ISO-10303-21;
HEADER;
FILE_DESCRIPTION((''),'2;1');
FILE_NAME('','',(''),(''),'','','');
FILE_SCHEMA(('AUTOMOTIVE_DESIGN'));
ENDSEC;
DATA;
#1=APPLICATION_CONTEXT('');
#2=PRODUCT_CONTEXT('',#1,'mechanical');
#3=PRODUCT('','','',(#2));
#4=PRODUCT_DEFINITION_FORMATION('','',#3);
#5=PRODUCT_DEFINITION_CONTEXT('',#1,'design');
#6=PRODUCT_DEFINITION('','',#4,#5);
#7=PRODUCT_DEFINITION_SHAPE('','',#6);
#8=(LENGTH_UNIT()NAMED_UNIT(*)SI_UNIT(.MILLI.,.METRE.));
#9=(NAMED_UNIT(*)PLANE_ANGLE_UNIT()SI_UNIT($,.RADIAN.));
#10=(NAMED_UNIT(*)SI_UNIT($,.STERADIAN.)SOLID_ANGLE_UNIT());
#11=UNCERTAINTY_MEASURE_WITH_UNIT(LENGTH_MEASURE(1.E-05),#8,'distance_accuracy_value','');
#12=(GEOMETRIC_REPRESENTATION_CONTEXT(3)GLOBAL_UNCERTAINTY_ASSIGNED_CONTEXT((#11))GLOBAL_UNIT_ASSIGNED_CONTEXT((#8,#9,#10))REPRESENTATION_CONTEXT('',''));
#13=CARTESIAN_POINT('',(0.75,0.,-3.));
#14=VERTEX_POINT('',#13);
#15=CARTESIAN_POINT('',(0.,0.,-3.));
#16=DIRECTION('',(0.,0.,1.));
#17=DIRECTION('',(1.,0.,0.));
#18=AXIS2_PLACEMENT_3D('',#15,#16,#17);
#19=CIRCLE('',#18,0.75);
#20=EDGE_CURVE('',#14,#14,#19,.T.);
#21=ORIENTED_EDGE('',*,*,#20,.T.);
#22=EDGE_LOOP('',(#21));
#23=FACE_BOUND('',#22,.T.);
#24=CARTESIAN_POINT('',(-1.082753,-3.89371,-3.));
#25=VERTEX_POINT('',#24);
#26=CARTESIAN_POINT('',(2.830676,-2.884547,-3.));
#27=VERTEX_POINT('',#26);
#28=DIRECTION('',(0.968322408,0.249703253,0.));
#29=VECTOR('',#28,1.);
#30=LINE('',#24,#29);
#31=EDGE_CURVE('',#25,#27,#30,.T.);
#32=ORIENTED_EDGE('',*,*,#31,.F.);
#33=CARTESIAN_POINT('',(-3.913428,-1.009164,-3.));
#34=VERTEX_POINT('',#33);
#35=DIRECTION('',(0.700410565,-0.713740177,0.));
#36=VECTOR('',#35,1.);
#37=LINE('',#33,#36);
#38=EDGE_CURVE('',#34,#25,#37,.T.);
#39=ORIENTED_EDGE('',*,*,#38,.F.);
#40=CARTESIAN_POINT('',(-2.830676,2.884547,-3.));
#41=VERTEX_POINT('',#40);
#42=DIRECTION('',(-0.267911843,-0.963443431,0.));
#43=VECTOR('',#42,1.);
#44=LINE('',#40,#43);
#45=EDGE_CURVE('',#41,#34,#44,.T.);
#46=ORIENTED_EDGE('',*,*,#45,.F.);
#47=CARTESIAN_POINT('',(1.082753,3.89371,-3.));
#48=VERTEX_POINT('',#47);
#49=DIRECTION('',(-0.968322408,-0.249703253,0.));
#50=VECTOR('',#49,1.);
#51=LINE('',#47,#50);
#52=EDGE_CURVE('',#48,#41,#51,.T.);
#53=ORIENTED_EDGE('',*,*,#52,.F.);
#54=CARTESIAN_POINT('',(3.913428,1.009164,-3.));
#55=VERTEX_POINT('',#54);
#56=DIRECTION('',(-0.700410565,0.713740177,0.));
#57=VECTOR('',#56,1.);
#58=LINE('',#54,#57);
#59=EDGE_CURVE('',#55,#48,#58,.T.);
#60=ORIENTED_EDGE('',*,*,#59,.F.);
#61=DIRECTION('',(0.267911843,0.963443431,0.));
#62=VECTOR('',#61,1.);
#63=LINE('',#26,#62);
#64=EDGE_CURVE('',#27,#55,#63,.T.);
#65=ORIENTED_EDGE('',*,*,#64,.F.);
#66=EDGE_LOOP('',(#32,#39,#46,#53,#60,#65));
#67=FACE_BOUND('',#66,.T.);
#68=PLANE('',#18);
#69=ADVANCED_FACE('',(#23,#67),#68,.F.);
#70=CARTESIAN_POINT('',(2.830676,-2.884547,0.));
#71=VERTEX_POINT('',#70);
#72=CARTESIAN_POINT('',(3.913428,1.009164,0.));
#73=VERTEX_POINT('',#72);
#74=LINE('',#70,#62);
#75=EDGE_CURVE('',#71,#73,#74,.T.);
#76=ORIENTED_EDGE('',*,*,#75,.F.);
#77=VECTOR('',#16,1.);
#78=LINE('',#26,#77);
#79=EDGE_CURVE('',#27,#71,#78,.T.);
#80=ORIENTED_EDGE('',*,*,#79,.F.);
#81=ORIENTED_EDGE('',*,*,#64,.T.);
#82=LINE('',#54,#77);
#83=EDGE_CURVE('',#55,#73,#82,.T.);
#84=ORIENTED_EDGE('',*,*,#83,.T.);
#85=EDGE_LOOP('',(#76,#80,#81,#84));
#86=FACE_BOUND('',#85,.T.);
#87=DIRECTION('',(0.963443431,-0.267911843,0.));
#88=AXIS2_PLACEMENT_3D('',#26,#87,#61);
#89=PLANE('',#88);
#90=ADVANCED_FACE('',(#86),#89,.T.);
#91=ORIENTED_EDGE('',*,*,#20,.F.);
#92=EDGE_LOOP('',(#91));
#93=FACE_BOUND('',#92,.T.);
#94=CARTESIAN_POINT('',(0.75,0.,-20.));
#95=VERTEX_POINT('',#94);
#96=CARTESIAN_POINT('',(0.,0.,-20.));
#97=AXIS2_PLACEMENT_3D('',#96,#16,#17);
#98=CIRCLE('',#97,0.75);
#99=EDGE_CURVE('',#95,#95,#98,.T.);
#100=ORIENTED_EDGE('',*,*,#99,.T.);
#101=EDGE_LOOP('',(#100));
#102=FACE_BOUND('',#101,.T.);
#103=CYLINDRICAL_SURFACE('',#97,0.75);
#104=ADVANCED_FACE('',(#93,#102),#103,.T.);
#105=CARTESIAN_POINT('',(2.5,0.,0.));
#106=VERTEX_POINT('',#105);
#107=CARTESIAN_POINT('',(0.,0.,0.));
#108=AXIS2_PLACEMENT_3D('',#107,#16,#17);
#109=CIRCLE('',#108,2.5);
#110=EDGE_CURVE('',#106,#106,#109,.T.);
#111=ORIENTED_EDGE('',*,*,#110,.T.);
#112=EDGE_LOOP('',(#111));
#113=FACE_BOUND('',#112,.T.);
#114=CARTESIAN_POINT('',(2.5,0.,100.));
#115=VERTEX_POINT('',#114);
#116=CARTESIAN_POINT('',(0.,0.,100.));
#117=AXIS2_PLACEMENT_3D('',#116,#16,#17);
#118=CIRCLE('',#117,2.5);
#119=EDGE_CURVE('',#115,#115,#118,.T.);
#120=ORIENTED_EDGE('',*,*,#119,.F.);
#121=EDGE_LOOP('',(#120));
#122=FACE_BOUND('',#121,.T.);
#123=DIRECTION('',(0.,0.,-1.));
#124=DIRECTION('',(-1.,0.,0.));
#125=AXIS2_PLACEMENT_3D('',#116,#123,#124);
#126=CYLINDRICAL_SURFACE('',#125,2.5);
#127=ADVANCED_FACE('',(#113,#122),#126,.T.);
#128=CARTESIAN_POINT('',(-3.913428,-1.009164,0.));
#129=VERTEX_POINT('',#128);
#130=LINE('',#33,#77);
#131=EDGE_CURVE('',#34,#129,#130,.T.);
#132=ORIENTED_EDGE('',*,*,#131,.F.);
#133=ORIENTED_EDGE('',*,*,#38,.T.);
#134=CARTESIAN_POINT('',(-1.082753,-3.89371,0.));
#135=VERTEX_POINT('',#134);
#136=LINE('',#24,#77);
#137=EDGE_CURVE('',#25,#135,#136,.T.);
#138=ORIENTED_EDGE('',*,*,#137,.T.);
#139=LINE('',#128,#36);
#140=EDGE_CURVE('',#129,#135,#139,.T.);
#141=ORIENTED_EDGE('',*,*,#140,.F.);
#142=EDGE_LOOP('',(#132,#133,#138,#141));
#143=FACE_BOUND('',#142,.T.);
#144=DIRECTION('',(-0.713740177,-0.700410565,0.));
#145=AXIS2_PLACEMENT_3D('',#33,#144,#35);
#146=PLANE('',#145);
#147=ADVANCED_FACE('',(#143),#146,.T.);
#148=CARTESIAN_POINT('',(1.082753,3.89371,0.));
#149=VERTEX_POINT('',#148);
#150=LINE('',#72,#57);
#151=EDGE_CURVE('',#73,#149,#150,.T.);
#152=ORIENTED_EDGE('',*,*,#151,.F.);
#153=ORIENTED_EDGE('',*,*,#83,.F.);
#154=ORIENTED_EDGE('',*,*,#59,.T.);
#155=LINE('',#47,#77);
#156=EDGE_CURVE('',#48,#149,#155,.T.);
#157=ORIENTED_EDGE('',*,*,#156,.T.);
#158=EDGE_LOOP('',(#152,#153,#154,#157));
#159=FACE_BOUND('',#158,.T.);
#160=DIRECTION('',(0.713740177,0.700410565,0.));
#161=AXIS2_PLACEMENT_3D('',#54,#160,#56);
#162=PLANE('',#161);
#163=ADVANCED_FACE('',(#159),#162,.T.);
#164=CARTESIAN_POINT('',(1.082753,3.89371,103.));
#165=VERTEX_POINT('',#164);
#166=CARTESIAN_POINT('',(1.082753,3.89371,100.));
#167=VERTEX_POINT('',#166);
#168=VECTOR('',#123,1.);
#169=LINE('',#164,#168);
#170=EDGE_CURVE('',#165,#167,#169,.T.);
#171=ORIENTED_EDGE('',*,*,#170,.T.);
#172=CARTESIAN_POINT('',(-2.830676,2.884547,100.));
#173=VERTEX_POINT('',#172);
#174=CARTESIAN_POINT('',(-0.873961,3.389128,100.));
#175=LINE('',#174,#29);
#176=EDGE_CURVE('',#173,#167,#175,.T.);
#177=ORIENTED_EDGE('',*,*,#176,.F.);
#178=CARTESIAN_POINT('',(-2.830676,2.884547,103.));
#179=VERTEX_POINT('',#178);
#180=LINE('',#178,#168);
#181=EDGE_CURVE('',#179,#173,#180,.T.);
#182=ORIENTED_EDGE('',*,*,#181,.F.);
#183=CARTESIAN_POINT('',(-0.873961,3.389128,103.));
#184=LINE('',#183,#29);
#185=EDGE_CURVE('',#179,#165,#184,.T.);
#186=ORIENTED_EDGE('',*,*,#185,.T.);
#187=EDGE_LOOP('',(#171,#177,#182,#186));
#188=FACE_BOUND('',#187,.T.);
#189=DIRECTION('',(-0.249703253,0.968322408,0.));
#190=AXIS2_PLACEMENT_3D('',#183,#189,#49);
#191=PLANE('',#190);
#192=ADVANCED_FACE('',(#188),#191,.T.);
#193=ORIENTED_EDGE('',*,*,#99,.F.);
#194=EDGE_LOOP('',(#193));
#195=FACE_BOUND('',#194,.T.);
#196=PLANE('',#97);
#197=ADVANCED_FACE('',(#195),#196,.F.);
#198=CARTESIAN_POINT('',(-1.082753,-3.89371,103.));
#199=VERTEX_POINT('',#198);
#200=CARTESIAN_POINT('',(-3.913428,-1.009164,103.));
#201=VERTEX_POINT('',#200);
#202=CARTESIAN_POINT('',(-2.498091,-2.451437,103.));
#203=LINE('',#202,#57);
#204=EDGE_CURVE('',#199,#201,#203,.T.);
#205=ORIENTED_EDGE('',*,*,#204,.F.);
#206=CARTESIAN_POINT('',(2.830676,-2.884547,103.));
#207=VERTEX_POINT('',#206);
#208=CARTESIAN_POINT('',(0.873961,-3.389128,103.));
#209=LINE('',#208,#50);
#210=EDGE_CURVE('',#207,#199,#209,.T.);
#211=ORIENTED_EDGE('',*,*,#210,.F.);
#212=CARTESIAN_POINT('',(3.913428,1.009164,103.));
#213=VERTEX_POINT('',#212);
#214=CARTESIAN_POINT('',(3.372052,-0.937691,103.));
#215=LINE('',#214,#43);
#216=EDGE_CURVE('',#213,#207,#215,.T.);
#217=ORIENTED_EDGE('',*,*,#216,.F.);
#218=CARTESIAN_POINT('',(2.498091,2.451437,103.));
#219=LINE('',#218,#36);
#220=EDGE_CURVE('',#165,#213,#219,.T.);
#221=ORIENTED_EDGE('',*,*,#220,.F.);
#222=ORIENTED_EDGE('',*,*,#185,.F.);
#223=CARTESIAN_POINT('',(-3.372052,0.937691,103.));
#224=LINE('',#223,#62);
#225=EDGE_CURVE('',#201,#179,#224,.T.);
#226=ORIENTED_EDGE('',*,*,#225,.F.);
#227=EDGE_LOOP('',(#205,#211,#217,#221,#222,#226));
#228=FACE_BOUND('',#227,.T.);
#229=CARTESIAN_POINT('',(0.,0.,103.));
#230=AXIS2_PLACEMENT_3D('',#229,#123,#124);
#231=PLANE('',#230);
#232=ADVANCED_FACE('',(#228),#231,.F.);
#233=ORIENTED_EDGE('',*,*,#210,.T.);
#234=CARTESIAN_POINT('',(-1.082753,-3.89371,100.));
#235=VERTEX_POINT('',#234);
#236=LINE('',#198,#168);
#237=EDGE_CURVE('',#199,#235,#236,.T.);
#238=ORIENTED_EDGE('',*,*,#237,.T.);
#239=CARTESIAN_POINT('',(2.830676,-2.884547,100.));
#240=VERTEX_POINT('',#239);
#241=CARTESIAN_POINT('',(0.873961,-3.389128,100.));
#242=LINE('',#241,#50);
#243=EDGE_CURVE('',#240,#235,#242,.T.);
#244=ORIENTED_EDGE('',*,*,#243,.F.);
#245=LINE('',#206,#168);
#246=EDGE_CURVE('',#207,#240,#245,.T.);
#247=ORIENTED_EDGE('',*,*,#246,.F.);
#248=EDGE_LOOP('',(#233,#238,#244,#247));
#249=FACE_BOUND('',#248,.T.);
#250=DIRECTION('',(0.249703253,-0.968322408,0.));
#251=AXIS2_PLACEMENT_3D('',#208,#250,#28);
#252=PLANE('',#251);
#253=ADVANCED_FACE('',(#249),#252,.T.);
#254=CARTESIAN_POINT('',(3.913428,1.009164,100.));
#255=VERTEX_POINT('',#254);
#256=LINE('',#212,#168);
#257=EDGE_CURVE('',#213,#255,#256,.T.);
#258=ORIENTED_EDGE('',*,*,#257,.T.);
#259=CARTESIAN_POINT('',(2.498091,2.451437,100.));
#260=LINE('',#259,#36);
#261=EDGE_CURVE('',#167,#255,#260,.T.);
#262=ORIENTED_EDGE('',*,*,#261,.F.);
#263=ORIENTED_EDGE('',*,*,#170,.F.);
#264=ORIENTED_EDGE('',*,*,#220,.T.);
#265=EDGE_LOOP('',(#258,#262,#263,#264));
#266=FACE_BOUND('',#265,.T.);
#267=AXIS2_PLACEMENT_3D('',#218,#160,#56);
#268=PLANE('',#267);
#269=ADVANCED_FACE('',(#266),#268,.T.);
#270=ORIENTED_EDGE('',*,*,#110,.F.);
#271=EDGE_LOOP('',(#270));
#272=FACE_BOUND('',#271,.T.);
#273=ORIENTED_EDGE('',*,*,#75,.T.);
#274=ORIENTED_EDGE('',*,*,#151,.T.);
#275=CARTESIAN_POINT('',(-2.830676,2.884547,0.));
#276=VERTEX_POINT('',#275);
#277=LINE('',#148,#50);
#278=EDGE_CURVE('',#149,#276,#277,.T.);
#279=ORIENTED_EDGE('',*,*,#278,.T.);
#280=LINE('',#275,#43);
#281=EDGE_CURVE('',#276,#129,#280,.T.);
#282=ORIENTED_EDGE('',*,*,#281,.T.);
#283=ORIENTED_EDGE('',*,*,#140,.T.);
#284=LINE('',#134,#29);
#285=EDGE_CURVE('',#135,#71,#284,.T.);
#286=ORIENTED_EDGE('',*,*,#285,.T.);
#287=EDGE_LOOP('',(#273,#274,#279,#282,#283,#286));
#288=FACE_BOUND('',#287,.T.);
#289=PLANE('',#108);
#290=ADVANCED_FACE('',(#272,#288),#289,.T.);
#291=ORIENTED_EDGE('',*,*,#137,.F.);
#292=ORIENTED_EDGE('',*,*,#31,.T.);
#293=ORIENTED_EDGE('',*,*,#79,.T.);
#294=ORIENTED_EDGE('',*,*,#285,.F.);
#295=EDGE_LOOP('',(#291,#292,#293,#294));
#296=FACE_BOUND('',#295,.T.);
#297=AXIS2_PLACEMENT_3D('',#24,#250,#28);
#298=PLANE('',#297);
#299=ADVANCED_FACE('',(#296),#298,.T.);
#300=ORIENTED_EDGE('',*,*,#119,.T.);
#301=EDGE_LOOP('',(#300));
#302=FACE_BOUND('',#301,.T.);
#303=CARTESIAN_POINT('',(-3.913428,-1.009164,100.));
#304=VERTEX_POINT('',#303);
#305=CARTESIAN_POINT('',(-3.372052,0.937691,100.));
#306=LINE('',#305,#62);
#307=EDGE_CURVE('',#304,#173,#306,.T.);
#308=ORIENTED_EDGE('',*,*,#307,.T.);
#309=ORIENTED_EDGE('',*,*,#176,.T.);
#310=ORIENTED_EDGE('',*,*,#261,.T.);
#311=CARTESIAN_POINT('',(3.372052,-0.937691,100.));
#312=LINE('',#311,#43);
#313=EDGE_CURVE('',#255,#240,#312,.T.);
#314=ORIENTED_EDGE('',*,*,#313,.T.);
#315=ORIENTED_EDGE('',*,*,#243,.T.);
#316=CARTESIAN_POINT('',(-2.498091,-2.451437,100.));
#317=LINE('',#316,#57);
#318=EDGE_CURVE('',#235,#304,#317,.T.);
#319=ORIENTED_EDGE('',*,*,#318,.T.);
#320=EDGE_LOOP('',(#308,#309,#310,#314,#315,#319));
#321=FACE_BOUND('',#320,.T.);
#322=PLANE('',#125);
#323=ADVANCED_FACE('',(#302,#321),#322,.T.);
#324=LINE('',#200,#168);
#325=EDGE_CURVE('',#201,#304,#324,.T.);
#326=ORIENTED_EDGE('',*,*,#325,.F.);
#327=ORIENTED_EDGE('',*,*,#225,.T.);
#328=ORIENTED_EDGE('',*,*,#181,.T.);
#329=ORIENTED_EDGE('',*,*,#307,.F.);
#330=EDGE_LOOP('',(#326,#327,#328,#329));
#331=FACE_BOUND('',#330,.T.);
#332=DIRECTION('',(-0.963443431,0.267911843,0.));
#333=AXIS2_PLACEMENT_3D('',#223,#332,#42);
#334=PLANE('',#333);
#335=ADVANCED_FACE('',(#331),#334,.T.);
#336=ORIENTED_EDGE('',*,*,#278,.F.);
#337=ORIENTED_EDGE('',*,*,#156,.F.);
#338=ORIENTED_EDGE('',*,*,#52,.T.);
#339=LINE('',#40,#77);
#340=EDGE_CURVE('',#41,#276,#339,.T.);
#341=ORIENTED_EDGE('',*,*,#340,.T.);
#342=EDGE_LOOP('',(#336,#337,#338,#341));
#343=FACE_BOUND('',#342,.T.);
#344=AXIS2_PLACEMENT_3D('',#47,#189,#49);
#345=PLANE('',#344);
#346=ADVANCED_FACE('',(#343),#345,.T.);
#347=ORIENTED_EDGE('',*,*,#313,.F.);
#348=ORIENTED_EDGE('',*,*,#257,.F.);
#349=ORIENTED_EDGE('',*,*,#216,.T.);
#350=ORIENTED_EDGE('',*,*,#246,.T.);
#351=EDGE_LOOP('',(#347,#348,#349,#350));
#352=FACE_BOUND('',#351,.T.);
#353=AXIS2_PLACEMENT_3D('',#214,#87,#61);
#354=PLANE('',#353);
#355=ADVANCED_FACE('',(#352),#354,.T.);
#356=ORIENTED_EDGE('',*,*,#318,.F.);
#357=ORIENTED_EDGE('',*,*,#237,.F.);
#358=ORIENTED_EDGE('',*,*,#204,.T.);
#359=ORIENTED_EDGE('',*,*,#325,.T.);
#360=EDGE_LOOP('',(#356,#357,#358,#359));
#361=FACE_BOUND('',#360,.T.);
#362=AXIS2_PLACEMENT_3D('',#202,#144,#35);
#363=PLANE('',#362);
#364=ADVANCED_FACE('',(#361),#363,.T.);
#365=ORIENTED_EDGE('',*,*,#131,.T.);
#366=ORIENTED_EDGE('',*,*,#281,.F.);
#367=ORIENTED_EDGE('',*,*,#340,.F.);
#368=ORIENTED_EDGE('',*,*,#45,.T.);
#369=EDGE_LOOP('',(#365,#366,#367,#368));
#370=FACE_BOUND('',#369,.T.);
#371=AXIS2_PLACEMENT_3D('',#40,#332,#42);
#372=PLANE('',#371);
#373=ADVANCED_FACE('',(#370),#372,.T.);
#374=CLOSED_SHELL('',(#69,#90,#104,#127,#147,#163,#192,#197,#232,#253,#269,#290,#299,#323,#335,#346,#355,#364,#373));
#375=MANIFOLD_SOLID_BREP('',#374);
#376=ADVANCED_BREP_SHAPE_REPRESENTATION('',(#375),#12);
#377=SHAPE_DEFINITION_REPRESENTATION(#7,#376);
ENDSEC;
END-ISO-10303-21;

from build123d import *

# Parameters (mm, degrees)
SKETCH_1_R      = 2.5
EXTRUDE_1_DEPTH = 100
EXTRUDE_2_DEPTH = 3
EXTRUDE_START   = 100
EXTRUDE_3_DEPTH = 3
SKETCH_5_R      = 0.75
EXTRUDE_4_DEPTH = 20


with BuildPart() as part:
    # 草圖1 → 填料-伸長1 (new body)
    with BuildSketch(Plane.XY):
        Circle(SKETCH_1_R)
    extrude(amount=EXTRUDE_1_DEPTH)

    # 草圖3 → 填料-伸長2 (add)
    with BuildSketch(Plane.XY):
        Polygon((1.082752823, 3.893710269), (-2.830675596, 2.884546585), (-3.913428419, -1.009163684), (-1.082752823, -3.893710269), (2.830675596, -2.884546585), (3.913428419, 1.009163684), align=None)
    extrude(amount=-EXTRUDE_2_DEPTH)

    # 草圖4 → 填料-伸長3 (add)
    with BuildSketch(Plane.XY.offset(EXTRUDE_START)):
        Polygon((-2.830675596, 2.884546585), (-3.913428419, -1.009163684), (-1.082752823, -3.893710269), (2.830675596, -2.884546585), (3.913428419, 1.009163684), (1.082752823, 3.893710269), align=None)
    extrude(amount=EXTRUDE_3_DEPTH)

    # 草圖5 → 填料-伸長4 (add)
    with BuildSketch(Plane.XY):
        Circle(SKETCH_5_R)
    extrude(amount=-EXTRUDE_4_DEPTH)


solid = part.part
